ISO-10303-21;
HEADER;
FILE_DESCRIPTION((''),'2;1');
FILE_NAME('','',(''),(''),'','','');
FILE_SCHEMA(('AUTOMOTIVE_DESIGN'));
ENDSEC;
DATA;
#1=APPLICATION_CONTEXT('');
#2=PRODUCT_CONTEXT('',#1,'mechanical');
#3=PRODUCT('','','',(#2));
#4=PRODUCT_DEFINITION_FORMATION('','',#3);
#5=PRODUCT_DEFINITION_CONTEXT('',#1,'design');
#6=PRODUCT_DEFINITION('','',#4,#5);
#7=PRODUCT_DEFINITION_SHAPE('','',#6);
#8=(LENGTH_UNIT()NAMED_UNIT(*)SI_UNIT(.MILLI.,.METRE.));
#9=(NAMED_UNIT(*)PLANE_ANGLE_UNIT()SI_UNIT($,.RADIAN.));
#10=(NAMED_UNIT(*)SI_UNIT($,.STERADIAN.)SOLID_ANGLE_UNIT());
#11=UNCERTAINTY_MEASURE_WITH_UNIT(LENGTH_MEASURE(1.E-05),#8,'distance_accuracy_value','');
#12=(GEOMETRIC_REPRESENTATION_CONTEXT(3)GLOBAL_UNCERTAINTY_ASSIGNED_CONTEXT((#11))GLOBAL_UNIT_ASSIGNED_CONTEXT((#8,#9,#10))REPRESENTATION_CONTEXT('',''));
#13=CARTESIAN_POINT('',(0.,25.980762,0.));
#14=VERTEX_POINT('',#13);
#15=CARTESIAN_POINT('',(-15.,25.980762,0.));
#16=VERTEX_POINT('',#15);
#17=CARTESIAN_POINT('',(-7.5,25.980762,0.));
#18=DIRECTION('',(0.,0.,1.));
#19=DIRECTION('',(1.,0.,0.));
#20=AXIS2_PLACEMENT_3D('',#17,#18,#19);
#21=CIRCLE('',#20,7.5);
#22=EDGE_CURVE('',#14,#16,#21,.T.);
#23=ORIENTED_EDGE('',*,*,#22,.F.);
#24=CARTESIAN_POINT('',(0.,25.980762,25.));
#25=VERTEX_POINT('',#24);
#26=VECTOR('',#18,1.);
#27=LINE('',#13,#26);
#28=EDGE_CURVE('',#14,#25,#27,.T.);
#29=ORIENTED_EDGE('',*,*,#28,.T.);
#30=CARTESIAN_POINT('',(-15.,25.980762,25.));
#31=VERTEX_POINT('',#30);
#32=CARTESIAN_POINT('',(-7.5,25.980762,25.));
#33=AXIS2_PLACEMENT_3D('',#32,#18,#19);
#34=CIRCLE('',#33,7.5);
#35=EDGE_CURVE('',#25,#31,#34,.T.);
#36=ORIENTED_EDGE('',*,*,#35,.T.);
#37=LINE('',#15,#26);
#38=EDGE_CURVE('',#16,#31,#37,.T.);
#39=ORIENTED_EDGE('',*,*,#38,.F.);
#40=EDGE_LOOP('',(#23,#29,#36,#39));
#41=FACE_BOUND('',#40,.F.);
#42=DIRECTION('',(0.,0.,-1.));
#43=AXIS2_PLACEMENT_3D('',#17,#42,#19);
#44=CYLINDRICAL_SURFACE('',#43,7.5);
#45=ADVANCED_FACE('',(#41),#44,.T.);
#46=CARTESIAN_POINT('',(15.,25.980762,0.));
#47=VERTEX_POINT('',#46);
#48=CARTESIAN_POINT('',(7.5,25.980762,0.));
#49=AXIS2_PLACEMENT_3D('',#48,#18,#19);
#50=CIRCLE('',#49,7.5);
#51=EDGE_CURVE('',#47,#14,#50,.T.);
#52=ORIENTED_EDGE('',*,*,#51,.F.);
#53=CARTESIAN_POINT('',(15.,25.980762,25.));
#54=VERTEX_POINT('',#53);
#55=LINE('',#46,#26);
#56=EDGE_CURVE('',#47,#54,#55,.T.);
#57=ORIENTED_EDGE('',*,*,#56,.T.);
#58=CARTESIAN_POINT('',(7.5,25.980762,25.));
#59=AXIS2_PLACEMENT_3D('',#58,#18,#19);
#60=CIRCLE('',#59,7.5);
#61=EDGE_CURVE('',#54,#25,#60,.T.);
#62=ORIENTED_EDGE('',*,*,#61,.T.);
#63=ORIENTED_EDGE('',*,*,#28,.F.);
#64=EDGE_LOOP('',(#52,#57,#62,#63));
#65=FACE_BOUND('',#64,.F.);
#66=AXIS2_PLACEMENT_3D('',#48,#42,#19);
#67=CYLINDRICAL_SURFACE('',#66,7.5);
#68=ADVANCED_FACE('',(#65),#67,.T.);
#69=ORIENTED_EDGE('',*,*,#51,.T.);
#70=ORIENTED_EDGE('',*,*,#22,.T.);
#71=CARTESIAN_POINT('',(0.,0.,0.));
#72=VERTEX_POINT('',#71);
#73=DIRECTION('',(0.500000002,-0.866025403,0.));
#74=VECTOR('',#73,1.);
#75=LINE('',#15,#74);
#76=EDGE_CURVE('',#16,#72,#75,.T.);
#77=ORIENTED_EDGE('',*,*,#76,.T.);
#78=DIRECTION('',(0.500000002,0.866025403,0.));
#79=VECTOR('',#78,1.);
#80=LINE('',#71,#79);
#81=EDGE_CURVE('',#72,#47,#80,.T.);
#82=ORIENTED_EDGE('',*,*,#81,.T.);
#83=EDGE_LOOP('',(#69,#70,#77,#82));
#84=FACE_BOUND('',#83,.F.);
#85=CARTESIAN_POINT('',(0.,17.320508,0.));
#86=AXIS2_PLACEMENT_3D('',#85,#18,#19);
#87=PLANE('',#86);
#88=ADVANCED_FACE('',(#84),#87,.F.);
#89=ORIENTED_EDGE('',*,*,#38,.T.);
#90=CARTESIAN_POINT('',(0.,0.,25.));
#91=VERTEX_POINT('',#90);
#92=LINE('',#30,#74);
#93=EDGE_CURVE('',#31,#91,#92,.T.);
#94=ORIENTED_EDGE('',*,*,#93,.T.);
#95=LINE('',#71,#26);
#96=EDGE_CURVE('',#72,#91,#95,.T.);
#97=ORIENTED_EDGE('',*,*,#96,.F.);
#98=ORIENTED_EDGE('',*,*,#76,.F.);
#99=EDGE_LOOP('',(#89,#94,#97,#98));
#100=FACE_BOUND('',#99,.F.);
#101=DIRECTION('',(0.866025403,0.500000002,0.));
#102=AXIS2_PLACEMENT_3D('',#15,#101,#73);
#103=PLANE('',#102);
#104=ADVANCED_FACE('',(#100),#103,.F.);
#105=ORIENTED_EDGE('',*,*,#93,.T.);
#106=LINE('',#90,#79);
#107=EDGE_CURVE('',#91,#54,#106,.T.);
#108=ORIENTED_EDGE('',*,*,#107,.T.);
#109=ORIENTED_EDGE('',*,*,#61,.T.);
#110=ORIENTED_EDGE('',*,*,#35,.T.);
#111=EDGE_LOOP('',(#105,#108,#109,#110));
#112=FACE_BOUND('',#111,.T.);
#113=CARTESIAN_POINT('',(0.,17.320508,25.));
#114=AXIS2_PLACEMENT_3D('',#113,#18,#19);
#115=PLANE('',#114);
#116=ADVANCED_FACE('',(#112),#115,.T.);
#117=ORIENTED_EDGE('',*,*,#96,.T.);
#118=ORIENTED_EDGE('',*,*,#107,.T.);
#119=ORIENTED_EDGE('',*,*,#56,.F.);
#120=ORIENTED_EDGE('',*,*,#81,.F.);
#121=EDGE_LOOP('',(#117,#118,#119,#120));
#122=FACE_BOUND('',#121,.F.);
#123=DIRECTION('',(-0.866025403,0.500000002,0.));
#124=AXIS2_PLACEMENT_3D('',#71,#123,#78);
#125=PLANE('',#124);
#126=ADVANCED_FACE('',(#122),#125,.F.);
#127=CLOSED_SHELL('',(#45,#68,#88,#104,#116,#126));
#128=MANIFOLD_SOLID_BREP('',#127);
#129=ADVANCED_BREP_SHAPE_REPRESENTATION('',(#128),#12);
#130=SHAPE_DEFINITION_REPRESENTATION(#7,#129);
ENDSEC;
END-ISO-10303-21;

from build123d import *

# Parameters (mm, degrees)
F1_DEPTH = 25


with BuildPart() as f1:
    # F0 (on Top) → F1 (new body)
    with BuildSketch(Plane.XY):
        Polygon((0, 25.980762), (-15, 25.980762), (0, 0), (15, 25.980762), align=None)
        with BuildLine():
            ThreePointArc((0, 25.980762), (-7.5, 33.480762), (-15, 25.980762))
            Line((-15, 25.980762), (0, 25.980762))
        make_face()
        with BuildLine():
            ThreePointArc((15, 25.980762), (7.5, 33.480762), (0, 25.980762))
            Line((0, 25.980762), (15, 25.980762))
        make_face()
    extrude(amount=F1_DEPTH)


solid = f1.part
